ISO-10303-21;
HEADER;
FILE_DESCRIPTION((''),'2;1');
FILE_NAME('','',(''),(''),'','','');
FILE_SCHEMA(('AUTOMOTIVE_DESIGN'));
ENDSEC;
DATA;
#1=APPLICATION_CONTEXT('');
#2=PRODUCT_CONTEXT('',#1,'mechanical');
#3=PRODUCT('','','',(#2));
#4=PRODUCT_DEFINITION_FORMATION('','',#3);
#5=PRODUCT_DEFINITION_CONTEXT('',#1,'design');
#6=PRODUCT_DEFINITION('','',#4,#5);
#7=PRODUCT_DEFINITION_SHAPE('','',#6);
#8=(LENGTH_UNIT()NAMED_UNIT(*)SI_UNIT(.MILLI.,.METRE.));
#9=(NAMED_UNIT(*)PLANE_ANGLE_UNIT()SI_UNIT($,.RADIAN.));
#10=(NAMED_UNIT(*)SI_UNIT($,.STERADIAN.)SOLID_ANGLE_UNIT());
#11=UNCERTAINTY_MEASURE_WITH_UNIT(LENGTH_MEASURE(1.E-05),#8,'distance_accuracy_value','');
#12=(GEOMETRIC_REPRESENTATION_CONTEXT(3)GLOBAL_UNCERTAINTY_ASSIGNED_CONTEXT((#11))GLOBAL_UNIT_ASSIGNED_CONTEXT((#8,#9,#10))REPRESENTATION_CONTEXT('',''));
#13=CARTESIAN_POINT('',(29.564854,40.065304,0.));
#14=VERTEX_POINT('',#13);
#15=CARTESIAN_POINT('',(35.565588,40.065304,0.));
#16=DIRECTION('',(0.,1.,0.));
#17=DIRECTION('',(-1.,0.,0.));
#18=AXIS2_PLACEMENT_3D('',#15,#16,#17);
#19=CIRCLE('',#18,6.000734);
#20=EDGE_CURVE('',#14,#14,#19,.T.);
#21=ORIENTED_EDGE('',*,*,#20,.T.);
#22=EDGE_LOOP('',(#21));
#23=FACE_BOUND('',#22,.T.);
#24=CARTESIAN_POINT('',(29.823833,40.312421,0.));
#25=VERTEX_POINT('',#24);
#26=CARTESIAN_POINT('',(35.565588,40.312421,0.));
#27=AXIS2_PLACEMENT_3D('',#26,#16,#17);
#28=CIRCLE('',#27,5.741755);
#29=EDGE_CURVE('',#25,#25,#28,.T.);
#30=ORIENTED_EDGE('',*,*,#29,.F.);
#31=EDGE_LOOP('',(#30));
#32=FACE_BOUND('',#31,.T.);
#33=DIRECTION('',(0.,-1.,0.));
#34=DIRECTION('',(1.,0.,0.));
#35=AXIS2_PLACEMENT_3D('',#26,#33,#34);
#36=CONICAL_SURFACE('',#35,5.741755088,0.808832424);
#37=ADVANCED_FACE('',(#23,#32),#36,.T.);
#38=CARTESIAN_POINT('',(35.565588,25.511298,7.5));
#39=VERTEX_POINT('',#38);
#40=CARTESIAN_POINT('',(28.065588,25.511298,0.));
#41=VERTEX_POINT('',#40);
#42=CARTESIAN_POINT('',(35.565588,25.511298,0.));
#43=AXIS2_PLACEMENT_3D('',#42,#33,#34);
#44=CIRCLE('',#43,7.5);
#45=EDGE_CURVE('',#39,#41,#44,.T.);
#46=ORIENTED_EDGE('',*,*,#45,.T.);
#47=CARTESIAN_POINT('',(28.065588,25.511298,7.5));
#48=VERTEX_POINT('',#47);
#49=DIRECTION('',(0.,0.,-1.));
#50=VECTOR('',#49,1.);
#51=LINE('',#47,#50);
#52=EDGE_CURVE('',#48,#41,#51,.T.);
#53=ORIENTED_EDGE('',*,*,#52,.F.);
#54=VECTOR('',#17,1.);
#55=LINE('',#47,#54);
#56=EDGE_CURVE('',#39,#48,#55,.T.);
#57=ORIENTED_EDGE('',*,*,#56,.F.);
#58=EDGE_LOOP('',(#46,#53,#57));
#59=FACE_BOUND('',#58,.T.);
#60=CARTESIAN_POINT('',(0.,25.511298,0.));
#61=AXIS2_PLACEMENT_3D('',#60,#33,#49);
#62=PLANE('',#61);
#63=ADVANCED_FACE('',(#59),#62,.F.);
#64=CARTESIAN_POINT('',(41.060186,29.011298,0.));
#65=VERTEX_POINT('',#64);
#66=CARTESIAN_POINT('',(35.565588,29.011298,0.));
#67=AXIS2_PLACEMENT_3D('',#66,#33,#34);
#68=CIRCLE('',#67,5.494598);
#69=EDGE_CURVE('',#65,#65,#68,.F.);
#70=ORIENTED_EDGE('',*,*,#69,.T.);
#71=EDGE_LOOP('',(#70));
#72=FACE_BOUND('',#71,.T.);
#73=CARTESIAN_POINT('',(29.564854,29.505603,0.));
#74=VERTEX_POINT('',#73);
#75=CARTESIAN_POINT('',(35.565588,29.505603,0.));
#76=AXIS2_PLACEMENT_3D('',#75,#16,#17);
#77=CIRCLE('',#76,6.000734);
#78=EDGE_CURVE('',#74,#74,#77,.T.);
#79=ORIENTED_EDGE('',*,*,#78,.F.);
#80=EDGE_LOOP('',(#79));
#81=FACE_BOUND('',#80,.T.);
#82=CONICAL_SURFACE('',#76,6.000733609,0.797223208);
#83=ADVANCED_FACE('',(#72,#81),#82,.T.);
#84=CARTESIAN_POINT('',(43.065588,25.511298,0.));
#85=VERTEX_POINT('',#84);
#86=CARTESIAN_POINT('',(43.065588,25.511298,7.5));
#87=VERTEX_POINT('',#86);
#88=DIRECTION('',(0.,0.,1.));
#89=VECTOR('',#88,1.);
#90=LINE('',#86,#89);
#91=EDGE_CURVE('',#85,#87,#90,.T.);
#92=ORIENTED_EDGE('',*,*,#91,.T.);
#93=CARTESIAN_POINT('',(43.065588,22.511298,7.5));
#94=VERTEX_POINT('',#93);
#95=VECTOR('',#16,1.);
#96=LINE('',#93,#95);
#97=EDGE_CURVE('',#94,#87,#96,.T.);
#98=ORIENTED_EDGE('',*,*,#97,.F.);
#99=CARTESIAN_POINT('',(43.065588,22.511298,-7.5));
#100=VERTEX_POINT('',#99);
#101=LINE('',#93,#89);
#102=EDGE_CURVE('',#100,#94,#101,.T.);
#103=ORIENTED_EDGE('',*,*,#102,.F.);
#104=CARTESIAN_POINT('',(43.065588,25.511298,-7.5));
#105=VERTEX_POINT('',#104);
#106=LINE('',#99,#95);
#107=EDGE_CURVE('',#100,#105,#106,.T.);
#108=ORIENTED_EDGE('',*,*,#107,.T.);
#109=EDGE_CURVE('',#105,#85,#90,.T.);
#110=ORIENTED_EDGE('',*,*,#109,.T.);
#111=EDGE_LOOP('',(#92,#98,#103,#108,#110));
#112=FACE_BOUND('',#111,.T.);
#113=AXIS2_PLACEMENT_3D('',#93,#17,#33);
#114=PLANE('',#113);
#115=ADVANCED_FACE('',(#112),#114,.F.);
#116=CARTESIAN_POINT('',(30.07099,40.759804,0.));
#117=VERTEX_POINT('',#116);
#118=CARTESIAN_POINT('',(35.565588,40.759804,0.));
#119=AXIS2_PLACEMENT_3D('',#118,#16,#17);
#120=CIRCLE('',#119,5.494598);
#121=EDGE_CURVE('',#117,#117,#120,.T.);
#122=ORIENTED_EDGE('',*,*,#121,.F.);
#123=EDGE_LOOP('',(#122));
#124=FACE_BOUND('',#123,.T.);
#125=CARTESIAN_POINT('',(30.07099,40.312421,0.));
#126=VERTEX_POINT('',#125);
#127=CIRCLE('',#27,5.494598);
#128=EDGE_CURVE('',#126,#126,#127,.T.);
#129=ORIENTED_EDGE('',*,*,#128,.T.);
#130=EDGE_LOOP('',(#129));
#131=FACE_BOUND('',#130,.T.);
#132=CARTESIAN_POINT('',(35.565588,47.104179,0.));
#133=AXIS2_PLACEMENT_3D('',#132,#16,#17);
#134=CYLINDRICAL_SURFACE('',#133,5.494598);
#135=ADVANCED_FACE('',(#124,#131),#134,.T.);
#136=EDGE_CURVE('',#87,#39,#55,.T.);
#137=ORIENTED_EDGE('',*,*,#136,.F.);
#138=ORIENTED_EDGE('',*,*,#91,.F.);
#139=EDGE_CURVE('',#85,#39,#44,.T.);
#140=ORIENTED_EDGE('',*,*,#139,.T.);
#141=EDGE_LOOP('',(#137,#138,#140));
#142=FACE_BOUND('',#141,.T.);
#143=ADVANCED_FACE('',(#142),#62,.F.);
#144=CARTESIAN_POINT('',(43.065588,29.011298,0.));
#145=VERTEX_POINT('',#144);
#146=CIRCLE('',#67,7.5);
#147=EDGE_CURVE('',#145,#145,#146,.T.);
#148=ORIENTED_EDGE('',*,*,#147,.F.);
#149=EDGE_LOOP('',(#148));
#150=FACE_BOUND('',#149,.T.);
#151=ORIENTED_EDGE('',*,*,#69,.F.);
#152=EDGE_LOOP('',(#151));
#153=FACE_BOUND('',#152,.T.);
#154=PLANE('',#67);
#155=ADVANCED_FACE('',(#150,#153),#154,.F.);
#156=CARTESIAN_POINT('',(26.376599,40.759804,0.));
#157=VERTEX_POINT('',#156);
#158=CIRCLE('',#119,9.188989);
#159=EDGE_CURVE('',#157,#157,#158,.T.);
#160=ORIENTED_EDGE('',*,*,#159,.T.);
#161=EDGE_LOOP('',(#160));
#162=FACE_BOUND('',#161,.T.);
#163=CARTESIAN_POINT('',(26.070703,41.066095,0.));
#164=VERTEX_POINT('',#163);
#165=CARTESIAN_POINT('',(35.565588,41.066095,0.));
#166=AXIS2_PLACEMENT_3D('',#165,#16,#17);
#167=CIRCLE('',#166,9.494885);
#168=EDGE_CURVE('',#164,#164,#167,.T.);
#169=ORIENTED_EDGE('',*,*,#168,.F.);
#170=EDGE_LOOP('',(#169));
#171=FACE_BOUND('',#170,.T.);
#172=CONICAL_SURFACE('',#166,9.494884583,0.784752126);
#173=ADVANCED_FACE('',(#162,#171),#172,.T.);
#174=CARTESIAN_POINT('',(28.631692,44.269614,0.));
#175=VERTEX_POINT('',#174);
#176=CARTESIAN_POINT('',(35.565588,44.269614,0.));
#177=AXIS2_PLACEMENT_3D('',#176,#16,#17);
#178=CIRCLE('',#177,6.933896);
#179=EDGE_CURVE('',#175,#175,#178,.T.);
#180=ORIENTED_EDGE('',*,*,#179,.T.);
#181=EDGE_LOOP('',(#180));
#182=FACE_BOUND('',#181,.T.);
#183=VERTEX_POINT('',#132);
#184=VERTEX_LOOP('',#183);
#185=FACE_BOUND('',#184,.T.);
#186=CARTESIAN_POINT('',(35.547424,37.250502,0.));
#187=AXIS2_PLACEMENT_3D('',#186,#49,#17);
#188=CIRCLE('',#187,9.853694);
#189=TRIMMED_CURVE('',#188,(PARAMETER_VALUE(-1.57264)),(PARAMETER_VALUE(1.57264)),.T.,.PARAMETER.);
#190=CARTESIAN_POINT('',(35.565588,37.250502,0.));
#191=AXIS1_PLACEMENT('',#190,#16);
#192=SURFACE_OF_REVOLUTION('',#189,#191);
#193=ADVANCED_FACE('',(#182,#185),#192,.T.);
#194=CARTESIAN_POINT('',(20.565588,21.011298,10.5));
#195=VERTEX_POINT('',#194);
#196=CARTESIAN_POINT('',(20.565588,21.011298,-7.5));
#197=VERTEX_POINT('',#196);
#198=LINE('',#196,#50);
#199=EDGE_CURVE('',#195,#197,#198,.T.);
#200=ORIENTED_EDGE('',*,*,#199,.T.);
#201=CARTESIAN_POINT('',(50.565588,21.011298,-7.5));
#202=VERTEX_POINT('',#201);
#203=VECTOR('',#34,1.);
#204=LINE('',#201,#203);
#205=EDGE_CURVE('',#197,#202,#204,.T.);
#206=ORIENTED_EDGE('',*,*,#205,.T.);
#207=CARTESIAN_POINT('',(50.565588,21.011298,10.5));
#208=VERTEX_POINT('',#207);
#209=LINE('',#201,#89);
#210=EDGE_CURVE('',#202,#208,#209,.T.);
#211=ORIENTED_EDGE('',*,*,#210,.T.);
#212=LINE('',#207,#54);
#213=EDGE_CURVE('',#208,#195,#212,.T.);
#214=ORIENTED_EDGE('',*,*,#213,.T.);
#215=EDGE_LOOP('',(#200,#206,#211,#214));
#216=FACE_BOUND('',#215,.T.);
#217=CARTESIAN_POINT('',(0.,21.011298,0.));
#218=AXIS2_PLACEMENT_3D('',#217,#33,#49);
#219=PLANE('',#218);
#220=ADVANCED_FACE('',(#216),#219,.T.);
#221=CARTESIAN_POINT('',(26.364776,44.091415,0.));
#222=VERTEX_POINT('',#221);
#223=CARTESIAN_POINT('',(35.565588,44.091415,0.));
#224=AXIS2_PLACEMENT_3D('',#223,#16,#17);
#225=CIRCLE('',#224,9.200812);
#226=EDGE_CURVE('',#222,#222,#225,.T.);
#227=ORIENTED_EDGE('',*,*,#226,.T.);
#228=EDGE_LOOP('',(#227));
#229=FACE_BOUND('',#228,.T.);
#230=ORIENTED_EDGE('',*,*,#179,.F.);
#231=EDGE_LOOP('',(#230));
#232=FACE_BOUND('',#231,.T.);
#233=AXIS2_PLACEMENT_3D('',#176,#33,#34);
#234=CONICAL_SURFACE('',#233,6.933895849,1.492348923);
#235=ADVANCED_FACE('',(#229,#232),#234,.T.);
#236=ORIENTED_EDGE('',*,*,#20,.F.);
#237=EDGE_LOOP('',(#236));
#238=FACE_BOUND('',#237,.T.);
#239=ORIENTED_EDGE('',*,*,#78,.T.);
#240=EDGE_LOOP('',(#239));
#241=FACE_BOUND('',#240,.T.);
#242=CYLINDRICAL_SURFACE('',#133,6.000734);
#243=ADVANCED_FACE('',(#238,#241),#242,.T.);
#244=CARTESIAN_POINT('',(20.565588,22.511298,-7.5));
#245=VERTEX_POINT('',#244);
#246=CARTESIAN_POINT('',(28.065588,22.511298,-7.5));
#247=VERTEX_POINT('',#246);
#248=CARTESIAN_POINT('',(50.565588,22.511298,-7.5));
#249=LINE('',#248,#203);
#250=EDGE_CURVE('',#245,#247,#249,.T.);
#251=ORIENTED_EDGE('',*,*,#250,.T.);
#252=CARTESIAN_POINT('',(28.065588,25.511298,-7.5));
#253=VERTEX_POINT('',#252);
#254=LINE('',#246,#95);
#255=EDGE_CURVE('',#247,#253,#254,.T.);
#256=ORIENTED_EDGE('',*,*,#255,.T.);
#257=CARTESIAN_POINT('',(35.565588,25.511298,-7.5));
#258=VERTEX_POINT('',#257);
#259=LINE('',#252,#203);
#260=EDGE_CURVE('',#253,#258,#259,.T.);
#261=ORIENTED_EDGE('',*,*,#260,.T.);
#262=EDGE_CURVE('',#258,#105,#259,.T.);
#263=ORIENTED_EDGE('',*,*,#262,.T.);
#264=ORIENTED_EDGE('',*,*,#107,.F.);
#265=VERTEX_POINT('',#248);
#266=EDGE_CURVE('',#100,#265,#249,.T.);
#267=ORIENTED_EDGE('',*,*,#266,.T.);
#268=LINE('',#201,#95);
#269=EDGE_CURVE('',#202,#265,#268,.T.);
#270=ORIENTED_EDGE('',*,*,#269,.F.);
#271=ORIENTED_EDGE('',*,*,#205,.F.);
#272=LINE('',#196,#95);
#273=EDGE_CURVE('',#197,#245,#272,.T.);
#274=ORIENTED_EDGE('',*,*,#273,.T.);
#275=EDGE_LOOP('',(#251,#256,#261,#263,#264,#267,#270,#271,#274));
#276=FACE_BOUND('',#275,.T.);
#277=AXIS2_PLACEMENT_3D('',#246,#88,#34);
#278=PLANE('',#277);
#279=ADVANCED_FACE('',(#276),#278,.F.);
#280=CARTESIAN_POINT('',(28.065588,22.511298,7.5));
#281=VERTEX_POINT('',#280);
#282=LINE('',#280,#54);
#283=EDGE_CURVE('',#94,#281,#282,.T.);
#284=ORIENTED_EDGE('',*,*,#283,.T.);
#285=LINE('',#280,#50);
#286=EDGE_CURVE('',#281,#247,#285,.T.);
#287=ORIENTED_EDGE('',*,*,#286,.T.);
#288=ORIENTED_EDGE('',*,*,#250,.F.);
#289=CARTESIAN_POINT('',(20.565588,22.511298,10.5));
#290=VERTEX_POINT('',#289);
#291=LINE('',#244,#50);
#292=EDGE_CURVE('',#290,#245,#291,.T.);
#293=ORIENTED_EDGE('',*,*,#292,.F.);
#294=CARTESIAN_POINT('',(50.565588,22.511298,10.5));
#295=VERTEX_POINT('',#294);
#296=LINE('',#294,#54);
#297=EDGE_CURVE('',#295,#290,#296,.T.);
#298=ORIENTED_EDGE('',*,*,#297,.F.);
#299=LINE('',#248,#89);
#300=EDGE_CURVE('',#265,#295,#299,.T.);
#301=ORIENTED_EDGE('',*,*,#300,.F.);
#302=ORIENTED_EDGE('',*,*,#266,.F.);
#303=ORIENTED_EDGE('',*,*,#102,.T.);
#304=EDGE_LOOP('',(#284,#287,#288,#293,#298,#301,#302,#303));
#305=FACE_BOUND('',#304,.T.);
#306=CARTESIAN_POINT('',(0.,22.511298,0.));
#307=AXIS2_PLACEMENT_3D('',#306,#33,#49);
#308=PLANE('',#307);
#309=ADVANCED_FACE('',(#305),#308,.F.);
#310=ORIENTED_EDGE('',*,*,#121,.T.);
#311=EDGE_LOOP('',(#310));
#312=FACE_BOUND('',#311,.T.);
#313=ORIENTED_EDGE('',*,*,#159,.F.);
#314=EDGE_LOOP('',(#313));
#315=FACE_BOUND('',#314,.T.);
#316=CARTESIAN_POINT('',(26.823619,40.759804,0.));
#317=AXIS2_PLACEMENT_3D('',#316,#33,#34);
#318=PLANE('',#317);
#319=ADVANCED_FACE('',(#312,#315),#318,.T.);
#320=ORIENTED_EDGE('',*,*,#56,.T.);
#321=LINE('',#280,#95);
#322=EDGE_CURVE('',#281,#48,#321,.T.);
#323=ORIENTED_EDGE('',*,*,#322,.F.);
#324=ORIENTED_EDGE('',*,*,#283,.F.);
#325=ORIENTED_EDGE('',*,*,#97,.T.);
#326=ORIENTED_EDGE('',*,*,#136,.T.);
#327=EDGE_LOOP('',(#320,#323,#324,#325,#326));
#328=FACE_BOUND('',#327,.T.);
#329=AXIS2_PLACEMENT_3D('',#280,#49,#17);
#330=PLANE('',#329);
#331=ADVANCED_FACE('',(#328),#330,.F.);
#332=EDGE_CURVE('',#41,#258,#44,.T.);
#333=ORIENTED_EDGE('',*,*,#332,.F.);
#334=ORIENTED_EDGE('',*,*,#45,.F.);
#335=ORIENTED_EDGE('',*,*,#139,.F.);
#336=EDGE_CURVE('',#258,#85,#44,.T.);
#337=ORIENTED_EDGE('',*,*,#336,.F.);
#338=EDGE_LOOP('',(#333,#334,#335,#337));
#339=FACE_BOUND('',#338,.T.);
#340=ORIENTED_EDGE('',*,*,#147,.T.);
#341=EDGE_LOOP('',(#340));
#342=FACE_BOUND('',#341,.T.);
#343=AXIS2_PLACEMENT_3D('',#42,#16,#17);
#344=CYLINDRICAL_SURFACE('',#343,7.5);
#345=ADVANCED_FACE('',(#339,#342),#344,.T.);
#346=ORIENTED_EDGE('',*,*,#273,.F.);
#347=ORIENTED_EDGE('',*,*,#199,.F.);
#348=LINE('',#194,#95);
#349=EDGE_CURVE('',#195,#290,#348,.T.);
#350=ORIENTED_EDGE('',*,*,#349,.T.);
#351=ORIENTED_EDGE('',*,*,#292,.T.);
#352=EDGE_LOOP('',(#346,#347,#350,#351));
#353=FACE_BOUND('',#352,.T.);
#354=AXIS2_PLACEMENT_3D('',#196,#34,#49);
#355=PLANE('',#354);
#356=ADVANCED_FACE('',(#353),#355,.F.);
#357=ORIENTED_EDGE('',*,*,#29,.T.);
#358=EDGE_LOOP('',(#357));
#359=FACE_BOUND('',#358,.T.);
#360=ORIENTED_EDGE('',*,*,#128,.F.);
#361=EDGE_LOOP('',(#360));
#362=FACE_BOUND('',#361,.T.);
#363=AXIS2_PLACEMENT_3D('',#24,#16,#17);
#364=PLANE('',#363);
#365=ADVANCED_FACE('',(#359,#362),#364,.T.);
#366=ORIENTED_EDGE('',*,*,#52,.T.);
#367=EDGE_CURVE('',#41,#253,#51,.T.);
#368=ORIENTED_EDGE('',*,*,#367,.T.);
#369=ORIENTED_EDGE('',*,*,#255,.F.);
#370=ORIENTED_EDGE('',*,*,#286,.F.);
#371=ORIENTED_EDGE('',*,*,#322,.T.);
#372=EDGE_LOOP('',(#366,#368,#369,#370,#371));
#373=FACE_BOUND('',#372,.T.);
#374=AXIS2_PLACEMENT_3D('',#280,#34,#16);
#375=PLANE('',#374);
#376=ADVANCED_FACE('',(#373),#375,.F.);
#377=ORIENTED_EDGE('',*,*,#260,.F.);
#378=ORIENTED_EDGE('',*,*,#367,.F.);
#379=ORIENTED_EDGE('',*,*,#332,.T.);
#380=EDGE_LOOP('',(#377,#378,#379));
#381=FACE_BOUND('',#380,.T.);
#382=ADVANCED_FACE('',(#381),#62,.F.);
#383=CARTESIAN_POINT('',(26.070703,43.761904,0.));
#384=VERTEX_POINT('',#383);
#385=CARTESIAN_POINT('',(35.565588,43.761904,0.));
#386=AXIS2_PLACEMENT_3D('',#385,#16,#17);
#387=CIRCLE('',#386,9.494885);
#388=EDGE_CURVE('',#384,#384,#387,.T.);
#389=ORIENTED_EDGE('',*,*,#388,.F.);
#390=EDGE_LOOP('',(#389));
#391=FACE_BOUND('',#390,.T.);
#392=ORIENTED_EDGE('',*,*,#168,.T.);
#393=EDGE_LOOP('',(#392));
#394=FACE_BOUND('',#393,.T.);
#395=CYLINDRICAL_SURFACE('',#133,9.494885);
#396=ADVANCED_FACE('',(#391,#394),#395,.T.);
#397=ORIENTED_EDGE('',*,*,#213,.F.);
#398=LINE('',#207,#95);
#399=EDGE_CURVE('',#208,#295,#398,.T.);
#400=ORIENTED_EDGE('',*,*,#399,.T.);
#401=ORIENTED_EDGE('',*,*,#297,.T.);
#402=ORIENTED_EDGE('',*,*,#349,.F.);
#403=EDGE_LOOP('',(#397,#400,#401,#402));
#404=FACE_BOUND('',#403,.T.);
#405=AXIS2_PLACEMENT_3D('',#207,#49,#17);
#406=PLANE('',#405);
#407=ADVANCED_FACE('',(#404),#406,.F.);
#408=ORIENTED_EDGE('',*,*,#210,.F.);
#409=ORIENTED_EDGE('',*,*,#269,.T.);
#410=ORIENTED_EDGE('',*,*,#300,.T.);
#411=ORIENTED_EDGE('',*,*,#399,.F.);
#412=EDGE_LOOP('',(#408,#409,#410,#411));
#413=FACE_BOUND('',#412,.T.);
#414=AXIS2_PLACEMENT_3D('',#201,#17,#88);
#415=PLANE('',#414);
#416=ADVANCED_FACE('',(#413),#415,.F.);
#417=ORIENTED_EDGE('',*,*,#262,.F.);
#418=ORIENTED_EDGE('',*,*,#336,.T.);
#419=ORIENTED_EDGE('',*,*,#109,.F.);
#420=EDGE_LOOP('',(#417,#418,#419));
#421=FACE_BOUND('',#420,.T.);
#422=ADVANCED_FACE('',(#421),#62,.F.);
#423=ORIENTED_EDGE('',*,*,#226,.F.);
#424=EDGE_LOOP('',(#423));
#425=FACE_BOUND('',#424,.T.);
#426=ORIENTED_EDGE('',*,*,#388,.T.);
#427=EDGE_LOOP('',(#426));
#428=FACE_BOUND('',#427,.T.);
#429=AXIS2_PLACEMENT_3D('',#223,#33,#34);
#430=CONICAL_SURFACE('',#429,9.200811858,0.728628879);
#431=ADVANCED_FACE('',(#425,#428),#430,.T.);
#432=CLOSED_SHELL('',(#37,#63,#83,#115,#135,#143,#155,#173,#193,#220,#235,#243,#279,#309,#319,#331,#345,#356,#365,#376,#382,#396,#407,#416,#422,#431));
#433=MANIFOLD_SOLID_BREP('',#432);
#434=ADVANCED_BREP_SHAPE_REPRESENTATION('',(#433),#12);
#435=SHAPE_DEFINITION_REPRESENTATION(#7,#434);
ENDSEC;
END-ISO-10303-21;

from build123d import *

# Parameters (mm, degrees)
SCALE1_SCALE        = 0.268090154
SKETCH2_R           = 7.5
BOSS_EXTRUDE1_DEPTH = 3.5
SKETCH3_W           = 15
SKETCH3_H           = 15
BOSS_EXTRUDE2_DEPTH = 3
SKETCH4_W           = 30
SKETCH4_H           = 18
BOSS_EXTRUDE3_DEPTH = 1.5


with BuildPart() as part:
    # Model → Revolve1 (revolve)
    with BuildSketch(Plane.XY):
        with BuildLine():
            Line((35.565588, 69.903749404), (35.565588, 2.41570256))
            Line((35.565588, 2.41570256), (15.0702518, 2.41570256))
            Line((15.0702518, 2.41570256), (13.1823206, 4.2595038))
            Line((13.1823206, 4.2595038), (13.1823206, 43.648122))
            Line((13.1823206, 43.648122), (14.1483334, 44.569888))
            Line((14.1483334, 44.569888), (15.0702518, 44.569888))
            Line((15.0702518, 44.569888), (15.0702518, 46.238668))
            Line((15.0702518, 46.238668), (2.9572712, 46.238668))
            Line((2.9572712, 46.238668), (1.28984502, 46.238668))
            Line((1.28984502, 46.238668), (0.148828252, 47.38116))
            Line((0.148828252, 47.38116), (0.148828252, 57.436766))
            Line((0.148828252, 57.436766), (1.24574554, 58.665872))
            Line((1.24574554, 58.665872), (9.701542865, 59.330571423))
            ThreePointArc((9.701542865, 59.330571423), (21.589655561, 67.170766536), (35.565588, 69.903749404))
        make_face()
    revolve(axis=Axis((35.565588, 69.903749404, 0), (0, -1, 0)))


with BuildPart() as part_1:
    # Scale1: scaled about (35.565588, 38.752959179, 0)
    add(part.part.scale(SCALE1_SCALE).moved(Location((26.030804028, 28.363672377, 0))))

    # Sketch2 → Boss-Extrude1 (add)
    with BuildSketch(Plane.XZ.offset(-29.011298449)):
        with Locations((35.565588, 0)):
            Circle(SKETCH2_R)
    extrude(amount=BOSS_EXTRUDE1_DEPTH)

    # Sketch3 → Boss-Extrude2 (add)
    with BuildSketch(Plane.XZ.offset(-25.511298449)):
        with Locations((35.565588, 0)):
            Rectangle(SKETCH3_W, SKETCH3_H)
    extrude(amount=BOSS_EXTRUDE2_DEPTH)

    # Sketch4 → Boss-Extrude3 (add)
    with BuildSketch(Plane.XZ.offset(-22.511298449)):
        with Locations((35.565588, 1.5)):
            Rectangle(SKETCH4_W, SKETCH4_H)
    extrude(amount=BOSS_EXTRUDE3_DEPTH)


solid = part_1.part
